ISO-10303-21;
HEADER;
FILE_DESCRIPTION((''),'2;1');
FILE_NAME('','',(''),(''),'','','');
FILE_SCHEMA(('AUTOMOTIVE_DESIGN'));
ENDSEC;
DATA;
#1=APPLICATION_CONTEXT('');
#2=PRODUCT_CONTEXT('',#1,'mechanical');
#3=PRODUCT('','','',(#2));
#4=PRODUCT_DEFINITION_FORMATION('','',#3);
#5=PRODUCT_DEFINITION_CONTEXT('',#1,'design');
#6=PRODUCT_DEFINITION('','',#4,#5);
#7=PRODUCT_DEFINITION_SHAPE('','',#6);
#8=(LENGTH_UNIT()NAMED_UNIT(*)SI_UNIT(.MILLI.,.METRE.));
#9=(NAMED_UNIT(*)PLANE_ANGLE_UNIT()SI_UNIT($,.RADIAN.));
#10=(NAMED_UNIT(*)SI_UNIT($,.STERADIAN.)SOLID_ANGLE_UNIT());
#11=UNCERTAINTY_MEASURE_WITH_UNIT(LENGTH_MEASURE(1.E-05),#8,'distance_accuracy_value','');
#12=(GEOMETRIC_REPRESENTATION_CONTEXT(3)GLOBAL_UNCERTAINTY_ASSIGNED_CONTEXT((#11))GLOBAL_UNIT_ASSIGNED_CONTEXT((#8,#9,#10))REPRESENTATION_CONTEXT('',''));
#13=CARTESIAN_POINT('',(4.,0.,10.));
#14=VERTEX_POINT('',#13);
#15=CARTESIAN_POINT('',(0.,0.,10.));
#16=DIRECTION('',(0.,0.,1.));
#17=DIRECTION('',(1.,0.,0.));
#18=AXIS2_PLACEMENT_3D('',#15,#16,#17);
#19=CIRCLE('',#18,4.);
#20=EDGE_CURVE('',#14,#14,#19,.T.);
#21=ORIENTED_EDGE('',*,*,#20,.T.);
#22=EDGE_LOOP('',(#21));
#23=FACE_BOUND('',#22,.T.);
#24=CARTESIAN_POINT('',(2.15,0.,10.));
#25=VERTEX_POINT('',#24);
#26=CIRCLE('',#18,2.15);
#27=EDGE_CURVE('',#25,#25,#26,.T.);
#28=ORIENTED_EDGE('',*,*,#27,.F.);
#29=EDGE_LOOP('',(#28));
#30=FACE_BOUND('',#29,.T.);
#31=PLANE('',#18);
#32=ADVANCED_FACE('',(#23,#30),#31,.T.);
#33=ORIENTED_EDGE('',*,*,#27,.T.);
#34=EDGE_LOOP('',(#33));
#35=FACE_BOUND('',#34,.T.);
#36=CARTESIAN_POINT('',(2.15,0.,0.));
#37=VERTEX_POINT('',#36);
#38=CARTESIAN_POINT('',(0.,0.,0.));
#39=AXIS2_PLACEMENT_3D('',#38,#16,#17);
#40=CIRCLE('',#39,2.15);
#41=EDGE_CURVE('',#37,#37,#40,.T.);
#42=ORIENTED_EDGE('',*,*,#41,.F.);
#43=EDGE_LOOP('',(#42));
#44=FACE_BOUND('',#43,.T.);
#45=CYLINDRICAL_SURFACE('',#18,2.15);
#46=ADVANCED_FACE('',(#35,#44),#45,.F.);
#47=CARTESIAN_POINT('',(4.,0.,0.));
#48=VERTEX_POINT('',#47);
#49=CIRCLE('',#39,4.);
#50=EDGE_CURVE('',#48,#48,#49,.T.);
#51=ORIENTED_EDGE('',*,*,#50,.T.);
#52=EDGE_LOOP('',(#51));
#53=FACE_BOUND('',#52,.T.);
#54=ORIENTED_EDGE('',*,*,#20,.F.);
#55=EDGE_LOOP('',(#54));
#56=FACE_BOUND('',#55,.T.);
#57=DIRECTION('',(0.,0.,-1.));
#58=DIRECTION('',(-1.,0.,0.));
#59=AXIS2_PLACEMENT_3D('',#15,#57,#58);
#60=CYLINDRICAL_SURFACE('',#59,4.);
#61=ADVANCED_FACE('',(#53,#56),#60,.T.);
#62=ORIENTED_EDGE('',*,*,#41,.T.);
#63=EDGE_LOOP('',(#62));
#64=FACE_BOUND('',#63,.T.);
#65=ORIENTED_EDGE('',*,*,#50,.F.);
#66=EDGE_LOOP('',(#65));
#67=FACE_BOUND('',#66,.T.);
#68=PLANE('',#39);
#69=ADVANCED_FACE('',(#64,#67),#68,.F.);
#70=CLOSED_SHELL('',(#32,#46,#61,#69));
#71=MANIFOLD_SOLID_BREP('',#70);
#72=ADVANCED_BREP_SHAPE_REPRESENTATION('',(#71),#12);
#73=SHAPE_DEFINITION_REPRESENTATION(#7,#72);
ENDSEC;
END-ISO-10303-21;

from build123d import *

# Parameters (mm, degrees)
SKETCH_2_R         = 4
EXTRUDE_1_DEPTH    = 10
HOLE_WIZARD_M4_1_D = 4.3


with BuildPart() as part:
    # 草圖2 → 填料-伸長1 (new body)
    with BuildSketch(Plane.XY):
        Circle(SKETCH_2_R)
    extrude(amount=EXTRUDE_1_DEPTH)

    # M4 餘隙孔1 (through all)
    with Locations(Plane.XY.offset(10)):
        with Locations((0, 0)):
            Hole(HOLE_WIZARD_M4_1_D / 2)


solid = part.part
